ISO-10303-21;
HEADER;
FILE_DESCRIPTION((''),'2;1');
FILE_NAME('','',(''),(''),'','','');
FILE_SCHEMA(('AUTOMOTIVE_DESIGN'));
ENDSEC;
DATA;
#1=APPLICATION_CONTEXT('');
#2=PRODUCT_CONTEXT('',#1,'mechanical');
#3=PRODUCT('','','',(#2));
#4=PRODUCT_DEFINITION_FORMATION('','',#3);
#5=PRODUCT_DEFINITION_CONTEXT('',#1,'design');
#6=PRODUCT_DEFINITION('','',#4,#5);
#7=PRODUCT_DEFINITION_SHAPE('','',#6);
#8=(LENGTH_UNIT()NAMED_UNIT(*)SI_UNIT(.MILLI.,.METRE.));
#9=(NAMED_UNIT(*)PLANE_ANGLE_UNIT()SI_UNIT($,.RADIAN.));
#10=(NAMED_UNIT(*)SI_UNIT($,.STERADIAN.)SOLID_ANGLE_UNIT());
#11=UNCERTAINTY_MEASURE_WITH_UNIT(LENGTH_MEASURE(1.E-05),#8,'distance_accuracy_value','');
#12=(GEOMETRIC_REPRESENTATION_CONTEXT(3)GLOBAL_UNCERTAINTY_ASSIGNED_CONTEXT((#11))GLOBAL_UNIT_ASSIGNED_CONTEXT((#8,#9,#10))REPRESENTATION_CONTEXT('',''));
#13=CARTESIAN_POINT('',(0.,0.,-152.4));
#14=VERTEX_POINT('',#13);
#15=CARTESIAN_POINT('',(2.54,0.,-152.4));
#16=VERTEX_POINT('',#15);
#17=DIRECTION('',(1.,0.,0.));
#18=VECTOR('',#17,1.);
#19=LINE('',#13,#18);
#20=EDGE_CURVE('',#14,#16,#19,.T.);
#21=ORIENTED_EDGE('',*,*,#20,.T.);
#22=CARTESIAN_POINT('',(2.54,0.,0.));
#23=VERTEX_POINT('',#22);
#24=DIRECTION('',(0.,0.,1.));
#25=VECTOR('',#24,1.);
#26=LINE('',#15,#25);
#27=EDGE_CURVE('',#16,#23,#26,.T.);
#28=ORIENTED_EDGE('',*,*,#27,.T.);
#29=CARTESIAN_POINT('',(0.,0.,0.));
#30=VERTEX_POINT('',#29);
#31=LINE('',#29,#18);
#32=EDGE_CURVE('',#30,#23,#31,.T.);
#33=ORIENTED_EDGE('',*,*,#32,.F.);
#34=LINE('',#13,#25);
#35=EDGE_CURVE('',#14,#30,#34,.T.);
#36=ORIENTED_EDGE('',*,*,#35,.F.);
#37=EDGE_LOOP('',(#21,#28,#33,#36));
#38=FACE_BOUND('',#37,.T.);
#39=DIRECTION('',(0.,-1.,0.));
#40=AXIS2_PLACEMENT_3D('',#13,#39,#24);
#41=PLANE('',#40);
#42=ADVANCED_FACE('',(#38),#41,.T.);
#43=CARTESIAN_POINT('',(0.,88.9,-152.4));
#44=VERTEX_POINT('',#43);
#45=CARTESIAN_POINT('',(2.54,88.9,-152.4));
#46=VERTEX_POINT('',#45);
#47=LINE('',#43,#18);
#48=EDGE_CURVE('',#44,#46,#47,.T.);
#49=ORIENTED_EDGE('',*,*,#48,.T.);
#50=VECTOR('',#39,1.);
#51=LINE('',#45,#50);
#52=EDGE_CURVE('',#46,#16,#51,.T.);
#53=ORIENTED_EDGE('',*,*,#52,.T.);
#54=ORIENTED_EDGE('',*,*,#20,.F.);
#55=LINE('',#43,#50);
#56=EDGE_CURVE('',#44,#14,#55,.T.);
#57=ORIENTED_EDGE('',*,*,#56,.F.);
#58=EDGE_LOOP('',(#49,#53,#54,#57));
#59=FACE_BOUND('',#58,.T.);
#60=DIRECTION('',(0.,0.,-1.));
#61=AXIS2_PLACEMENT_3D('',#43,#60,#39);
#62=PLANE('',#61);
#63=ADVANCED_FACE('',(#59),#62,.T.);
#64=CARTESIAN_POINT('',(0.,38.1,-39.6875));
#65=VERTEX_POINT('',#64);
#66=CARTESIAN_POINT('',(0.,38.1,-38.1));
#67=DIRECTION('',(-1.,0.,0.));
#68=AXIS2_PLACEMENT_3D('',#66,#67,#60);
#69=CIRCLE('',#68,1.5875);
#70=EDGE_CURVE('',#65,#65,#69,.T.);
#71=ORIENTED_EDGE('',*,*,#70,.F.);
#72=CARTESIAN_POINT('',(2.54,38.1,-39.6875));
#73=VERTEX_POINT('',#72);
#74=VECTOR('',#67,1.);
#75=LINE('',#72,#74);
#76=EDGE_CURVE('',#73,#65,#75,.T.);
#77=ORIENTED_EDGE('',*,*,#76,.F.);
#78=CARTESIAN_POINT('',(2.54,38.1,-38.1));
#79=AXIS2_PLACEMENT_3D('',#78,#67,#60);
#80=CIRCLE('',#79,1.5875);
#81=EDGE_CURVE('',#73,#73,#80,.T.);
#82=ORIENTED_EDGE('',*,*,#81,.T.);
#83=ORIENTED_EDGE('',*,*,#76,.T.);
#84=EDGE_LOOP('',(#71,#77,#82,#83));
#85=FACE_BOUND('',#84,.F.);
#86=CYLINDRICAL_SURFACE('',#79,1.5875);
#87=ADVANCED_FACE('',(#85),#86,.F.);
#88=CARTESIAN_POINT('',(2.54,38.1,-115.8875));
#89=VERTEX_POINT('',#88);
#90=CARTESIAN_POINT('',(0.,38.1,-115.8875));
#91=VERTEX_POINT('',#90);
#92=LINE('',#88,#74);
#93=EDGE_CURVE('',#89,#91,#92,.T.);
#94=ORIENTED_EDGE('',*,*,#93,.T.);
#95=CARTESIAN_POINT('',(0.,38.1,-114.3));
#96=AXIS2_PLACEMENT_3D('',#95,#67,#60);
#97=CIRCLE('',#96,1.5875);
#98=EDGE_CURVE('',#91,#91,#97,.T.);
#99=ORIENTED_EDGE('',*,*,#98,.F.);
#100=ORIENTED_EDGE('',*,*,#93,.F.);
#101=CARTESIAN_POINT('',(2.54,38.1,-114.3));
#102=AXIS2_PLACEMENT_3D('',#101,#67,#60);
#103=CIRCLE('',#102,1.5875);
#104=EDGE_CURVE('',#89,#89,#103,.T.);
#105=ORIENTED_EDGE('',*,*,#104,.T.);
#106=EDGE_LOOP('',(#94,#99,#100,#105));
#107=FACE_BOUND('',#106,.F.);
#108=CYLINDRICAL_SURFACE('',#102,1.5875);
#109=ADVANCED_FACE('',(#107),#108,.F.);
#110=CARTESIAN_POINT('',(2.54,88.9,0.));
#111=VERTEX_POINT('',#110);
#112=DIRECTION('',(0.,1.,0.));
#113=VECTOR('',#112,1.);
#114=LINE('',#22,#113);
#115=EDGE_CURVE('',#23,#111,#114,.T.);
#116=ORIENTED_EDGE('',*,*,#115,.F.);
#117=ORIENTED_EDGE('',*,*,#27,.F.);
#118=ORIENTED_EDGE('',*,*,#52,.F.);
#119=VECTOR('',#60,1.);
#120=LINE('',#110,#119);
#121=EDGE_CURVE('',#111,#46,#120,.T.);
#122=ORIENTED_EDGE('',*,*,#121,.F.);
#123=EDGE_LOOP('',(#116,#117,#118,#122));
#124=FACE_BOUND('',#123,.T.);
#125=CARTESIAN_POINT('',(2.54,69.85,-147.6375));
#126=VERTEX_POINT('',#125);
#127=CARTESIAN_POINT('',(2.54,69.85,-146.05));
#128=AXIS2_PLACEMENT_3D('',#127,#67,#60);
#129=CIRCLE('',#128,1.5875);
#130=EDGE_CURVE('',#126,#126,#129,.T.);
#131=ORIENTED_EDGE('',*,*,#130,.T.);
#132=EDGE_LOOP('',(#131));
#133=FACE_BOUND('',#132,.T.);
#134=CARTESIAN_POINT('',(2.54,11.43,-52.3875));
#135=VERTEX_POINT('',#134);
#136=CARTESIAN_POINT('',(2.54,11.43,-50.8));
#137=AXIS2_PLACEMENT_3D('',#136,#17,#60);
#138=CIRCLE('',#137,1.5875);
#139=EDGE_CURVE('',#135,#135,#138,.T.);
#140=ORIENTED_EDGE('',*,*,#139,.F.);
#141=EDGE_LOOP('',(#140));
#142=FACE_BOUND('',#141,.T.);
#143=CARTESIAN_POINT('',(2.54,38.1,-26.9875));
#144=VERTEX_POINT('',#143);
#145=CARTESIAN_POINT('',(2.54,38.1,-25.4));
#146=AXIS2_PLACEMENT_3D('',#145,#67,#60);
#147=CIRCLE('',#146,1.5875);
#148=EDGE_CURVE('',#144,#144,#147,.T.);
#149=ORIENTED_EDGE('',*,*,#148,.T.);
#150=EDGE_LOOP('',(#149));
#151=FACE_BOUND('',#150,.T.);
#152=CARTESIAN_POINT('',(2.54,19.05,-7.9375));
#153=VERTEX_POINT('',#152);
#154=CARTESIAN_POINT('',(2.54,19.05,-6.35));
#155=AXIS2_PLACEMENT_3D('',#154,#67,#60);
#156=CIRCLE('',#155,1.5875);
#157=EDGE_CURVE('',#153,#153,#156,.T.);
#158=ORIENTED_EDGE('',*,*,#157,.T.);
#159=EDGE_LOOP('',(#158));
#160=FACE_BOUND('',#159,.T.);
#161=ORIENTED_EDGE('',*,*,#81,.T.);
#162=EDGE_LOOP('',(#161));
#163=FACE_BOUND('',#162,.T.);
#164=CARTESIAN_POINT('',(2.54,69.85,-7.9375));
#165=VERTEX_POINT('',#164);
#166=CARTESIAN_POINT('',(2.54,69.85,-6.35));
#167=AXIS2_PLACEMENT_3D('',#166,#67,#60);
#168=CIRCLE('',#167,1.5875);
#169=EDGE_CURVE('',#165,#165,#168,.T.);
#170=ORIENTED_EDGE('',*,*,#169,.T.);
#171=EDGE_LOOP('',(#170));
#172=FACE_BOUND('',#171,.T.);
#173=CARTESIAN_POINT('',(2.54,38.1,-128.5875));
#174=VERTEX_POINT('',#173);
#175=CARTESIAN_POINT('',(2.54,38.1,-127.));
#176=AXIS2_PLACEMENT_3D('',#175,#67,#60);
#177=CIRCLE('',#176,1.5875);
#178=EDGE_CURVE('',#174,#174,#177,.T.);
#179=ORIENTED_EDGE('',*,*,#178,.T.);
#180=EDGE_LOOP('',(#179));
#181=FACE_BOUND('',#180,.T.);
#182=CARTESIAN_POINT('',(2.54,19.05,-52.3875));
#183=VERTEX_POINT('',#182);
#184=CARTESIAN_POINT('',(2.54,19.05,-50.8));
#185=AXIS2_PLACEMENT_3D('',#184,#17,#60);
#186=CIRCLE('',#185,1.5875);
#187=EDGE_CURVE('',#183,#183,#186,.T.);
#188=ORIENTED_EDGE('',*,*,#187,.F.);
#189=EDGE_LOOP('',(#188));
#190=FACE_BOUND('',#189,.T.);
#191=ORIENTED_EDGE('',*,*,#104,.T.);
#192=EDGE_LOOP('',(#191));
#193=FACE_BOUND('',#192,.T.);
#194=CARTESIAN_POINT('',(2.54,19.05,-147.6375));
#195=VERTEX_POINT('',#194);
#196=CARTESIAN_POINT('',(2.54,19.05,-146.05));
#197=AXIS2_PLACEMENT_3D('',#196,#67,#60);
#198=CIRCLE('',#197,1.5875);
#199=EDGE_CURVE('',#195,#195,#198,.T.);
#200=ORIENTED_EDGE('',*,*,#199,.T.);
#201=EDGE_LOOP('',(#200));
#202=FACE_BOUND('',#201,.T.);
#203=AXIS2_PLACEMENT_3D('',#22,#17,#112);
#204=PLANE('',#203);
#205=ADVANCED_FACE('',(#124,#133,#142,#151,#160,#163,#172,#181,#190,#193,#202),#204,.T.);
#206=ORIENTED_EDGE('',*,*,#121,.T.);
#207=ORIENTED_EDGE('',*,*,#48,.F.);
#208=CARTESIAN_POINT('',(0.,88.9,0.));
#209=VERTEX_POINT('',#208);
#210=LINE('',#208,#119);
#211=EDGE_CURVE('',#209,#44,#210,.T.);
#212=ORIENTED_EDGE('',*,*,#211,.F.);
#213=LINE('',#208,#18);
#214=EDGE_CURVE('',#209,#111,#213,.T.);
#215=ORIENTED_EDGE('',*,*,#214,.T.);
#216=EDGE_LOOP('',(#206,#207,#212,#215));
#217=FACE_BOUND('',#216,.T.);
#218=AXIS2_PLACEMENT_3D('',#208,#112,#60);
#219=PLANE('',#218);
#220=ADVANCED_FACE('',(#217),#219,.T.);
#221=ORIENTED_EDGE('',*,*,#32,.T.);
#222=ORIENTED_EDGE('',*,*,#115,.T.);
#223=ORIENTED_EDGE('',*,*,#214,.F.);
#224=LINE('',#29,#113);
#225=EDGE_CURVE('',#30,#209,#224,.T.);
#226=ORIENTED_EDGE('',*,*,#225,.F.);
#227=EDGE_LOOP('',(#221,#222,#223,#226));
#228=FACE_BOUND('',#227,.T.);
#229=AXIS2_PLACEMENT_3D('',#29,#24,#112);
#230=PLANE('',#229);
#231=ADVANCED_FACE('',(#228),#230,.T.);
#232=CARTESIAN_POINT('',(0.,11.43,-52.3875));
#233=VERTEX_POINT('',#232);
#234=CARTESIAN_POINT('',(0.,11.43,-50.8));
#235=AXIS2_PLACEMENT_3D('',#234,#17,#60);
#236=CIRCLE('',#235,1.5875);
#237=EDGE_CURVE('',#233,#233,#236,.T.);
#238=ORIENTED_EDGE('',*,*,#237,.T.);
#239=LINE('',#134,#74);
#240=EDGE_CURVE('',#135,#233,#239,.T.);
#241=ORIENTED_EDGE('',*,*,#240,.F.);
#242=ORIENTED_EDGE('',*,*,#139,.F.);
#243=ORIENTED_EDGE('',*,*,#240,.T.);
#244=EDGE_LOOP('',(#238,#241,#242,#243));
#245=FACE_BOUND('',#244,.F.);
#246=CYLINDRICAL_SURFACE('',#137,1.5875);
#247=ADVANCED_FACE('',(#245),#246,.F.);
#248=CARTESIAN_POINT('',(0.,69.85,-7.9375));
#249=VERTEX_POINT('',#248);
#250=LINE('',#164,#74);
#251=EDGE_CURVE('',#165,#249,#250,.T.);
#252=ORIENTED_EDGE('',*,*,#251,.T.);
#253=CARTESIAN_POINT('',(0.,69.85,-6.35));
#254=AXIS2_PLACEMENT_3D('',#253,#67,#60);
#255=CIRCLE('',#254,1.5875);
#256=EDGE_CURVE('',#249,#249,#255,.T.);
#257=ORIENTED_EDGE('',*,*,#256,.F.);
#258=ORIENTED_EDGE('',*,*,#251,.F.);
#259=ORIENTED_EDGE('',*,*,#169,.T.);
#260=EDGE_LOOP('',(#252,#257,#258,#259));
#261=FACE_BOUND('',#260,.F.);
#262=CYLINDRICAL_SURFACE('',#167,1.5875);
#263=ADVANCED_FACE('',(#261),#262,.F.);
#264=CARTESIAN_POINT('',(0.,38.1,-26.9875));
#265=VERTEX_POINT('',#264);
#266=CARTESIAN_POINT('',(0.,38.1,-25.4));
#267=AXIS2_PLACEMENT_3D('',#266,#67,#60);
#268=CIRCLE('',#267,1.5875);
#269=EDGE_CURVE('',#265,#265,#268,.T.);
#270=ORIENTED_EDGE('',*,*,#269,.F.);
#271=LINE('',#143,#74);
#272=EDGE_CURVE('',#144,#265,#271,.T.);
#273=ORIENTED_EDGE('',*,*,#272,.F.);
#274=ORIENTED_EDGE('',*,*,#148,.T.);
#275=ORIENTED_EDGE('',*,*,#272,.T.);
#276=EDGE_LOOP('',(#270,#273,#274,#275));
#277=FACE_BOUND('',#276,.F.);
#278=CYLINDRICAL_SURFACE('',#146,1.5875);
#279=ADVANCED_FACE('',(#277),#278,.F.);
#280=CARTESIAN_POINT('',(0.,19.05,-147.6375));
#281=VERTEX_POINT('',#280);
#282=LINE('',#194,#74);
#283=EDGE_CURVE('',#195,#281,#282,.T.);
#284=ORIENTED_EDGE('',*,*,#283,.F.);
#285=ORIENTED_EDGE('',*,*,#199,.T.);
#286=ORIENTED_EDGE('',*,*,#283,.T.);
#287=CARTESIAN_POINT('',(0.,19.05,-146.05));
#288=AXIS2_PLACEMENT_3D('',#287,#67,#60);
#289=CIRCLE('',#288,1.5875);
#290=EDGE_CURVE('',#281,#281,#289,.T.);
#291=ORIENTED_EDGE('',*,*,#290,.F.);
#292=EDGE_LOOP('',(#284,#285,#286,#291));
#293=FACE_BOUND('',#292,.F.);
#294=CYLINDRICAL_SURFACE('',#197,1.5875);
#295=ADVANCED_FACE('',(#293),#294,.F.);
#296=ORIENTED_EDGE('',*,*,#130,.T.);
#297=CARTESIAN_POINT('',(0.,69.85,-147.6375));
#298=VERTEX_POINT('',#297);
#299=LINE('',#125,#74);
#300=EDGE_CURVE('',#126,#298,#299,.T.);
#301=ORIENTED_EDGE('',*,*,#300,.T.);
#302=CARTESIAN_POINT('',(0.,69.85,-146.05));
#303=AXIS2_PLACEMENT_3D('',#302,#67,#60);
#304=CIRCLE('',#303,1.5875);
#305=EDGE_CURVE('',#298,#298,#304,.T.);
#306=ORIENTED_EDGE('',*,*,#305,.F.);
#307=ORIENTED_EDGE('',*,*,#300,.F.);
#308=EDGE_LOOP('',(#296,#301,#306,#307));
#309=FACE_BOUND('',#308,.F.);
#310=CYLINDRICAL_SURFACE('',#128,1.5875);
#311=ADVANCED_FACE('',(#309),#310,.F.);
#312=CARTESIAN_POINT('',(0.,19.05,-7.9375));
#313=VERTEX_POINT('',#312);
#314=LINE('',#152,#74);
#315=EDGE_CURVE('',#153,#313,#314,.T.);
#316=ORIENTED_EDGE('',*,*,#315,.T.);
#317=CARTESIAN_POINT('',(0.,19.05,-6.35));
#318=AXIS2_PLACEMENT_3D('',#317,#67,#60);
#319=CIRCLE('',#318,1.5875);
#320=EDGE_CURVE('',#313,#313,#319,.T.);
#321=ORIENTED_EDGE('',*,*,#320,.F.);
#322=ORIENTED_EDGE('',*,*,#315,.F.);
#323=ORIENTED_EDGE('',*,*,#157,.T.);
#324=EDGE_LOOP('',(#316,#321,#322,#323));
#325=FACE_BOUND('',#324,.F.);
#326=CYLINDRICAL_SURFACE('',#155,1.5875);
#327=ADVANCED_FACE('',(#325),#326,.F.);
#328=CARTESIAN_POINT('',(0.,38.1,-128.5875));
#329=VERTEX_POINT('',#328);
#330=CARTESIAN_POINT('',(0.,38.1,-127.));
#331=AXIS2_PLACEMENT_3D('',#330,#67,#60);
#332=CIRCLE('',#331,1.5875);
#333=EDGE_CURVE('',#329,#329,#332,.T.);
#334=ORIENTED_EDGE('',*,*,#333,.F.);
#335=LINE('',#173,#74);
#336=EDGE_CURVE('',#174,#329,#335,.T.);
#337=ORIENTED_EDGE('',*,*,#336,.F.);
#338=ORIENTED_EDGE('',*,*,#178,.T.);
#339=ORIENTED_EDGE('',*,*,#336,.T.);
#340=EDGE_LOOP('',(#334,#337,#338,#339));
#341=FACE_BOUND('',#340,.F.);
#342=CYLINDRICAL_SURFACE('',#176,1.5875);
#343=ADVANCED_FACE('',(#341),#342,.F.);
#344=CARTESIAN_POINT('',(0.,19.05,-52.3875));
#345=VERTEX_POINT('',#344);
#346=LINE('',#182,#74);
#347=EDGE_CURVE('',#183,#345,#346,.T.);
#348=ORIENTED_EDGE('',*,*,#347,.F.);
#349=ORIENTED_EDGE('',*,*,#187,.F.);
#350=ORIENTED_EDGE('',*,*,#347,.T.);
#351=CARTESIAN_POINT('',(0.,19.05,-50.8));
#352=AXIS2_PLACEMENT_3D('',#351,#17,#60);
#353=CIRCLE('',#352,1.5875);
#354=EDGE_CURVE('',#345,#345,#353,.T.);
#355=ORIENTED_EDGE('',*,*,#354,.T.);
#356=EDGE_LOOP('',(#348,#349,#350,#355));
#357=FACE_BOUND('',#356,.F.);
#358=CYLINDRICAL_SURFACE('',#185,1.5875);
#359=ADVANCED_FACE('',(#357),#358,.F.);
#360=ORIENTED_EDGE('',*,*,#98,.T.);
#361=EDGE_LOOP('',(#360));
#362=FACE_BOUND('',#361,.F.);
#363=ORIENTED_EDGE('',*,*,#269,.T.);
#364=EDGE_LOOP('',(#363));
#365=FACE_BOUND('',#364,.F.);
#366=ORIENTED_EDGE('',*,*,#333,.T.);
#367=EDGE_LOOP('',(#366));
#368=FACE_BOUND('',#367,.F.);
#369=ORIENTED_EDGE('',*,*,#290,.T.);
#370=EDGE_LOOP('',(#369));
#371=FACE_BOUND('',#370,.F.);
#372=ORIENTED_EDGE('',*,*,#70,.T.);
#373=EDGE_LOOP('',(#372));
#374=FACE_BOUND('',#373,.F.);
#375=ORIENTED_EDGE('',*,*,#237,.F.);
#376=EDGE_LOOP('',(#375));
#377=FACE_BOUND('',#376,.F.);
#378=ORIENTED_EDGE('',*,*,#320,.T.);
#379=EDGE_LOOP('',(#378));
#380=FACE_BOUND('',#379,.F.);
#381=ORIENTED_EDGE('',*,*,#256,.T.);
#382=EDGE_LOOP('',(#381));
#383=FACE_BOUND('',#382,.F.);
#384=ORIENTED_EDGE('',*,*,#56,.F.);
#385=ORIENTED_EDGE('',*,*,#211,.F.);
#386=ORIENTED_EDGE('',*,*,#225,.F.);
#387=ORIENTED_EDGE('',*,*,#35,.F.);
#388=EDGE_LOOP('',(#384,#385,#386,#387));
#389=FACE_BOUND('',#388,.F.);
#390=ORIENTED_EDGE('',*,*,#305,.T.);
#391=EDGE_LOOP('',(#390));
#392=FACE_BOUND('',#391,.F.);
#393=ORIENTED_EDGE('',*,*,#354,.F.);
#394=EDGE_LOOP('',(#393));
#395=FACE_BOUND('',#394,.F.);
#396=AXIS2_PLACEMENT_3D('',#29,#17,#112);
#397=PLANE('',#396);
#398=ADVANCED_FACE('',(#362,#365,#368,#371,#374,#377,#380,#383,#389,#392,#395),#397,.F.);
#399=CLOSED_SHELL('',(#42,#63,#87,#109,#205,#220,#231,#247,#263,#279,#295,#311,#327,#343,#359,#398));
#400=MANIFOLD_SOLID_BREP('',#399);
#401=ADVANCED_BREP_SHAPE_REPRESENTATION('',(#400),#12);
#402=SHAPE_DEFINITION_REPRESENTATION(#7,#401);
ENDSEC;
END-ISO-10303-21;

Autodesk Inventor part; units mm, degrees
ref_plane "YZ Plane" through (0, 0, 0) normal (1, 0, 0) x (0, 1, 0)
ref_plane "XZ Plane" through (0, 0, 0) normal (0, 1, 0) x (-1, 0, 0)
ref_plane "XY Plane" through (0, 0, 0) normal (0, 0, 1) x (1, 0, 0)
sketch "Sketch1" plane through (0, 0, 0) normal (1, 0, 0) x (0, 1, 0)
  line L0 (0, 0) -> (88.9, 0)
  line L1 (88.9, 0) -> (88.9, -152.4)
  line L2 (88.9, -152.4) -> (0, -152.4)
  line L3 (0, -152.4) -> (0, 0)
  dimension "d0" = 88.9
  dimension "d1" = 152.4
extrude "Extrusion1" add sketch "Sketch1" along normal blind 2.54
sketch "Sketch2" plane through (2.54, 0, 0) normal (1, 0, 0) x (0, 0, -1)
  line L0 (0, 88.9) -> (0, 0) projected
  line L1 (0, 0) -> (152.4, 0) projected
  line L2 (152.4, 0) -> (152.4, 88.9) projected
  line L3 (152.4, 88.9) -> (0, 88.9) projected
  line L4 (6.35, 82.55) -> (6.35, 6.35) construction
  line L5 (6.35, 6.35) -> (146.05, 6.35) construction
  line L6 (146.05, 6.35) -> (146.05, 82.55) construction
  line L7 (146.05, 82.55) -> (6.35, 82.55) construction
  point P0 (6.35, 69.85)
  point P1 (6.35, 19.05)
  point P2 (146.05, 19.05)
  point P3 (146.05, 69.85)
  dimension "d4" = 6.35
  dimension "d5" = 19.05
  dimension "d6" = 19.05
  dimension "d7" = 19.05
  dimension "d8" = 19.05
hole "Hole1" at (2.54, 69.85, -6.35) at (2.54, 19.05, -6.35) at (2.54, 19.05, -146.05) at (2.54, 69.85, -146.05) direction (-1, 0, 0) diameter 3.175 depth 25.4 tip angle 118
sketch "Sketch3" plane through (2.54, 0, 0) normal (1, 0, 0) x (0, 0, -1)
  circle A0 centre (146.05, 19.05) radius 1.5875 projected
  circle A1 centre (6.35, 69.85) radius 1.5875 projected
  circle A2 centre (6.35, 19.05) radius 1.5875 projected
  circle A3 centre (146.05, 69.85) radius 1.5875 projected
  line L0 (0, 88.9) -> (0, 0) construction
  line L1 (0, 0) -> (152.4, 0) construction
  line L2 (152.4, 0) -> (152.4, 88.9) construction
  line L3 (152.4, 88.9) -> (0, 88.9) construction
  line L4 (-29.9282, 38.1) -> (171.8832, 38.1) construction
  point P0 (38.1, 38.1)
  point P1 (127, 38.1)
  point P2 (114.3, 38.1)
  point P3 (25.4, 38.1)
  dimension "d16" = 38.1
  dimension "d17" = 25.4
  dimension "d18" = 12.7
  dimension "d19" = 12.7
  dimension "d20" = 25.4
hole "Hole2" at (2.54, 38.1, -38.1) at (2.54, 38.1, -127) at (2.54, 38.1, -114.3) at (2.54, 38.1, -25.4) direction (-1, 0, 0) diameter 3.175 depth 25.4 tip angle 118
sketch "Sketch4" plane through (2.54, 0, 0) normal (1, 0, 0) x (0, 0, -1)
  line L0 (76.2, 87.9176) -> (76.2, -34.5253) construction
  circle A0 centre (38.1, 38.1) radius 1.5875 construction
  circle A1 centre (114.3, 38.1) radius 1.5875 construction
  line L1 (-38.8298, 38.1) -> (178.5898, 38.1) construction
  line L2 (-38.8298, 31.75) -> (180.6434, 31.75) construction
  line L3 (50.8, 85.0864) -> (50.8, -24.0085) construction
  line L4 (211.4025, 27.94) -> (-276.8587, 27.94) construction
  line L5 (-64.569, 19.05) -> (271.1941, 19.05) construction
  line L6 (-69.2198, 11.43) -> (225.3941, 11.43) construction
  circle A2 centre (50.8, 19.05) radius 1.5875
  circle A3 centre (50.8, 11.43) radius 1.5875
  point P0 (0, 0)
  point P1 (50.8, 31.75)
  dimension "d28" = 76.2
  dimension "d29" = 38.1
  dimension "d30" = 6.35
  dimension "d31" = 25.4
  dimension "d32" = 3.81
  dimension "d33" = 12.7
  dimension "d34" = 7.62
  dimension "d35" = 3.175
  dimension "d36" = 3.175
extrude "Extrusion2" cut sketch "Sketch4" against normal blind 25.4
properties part number "000201"
